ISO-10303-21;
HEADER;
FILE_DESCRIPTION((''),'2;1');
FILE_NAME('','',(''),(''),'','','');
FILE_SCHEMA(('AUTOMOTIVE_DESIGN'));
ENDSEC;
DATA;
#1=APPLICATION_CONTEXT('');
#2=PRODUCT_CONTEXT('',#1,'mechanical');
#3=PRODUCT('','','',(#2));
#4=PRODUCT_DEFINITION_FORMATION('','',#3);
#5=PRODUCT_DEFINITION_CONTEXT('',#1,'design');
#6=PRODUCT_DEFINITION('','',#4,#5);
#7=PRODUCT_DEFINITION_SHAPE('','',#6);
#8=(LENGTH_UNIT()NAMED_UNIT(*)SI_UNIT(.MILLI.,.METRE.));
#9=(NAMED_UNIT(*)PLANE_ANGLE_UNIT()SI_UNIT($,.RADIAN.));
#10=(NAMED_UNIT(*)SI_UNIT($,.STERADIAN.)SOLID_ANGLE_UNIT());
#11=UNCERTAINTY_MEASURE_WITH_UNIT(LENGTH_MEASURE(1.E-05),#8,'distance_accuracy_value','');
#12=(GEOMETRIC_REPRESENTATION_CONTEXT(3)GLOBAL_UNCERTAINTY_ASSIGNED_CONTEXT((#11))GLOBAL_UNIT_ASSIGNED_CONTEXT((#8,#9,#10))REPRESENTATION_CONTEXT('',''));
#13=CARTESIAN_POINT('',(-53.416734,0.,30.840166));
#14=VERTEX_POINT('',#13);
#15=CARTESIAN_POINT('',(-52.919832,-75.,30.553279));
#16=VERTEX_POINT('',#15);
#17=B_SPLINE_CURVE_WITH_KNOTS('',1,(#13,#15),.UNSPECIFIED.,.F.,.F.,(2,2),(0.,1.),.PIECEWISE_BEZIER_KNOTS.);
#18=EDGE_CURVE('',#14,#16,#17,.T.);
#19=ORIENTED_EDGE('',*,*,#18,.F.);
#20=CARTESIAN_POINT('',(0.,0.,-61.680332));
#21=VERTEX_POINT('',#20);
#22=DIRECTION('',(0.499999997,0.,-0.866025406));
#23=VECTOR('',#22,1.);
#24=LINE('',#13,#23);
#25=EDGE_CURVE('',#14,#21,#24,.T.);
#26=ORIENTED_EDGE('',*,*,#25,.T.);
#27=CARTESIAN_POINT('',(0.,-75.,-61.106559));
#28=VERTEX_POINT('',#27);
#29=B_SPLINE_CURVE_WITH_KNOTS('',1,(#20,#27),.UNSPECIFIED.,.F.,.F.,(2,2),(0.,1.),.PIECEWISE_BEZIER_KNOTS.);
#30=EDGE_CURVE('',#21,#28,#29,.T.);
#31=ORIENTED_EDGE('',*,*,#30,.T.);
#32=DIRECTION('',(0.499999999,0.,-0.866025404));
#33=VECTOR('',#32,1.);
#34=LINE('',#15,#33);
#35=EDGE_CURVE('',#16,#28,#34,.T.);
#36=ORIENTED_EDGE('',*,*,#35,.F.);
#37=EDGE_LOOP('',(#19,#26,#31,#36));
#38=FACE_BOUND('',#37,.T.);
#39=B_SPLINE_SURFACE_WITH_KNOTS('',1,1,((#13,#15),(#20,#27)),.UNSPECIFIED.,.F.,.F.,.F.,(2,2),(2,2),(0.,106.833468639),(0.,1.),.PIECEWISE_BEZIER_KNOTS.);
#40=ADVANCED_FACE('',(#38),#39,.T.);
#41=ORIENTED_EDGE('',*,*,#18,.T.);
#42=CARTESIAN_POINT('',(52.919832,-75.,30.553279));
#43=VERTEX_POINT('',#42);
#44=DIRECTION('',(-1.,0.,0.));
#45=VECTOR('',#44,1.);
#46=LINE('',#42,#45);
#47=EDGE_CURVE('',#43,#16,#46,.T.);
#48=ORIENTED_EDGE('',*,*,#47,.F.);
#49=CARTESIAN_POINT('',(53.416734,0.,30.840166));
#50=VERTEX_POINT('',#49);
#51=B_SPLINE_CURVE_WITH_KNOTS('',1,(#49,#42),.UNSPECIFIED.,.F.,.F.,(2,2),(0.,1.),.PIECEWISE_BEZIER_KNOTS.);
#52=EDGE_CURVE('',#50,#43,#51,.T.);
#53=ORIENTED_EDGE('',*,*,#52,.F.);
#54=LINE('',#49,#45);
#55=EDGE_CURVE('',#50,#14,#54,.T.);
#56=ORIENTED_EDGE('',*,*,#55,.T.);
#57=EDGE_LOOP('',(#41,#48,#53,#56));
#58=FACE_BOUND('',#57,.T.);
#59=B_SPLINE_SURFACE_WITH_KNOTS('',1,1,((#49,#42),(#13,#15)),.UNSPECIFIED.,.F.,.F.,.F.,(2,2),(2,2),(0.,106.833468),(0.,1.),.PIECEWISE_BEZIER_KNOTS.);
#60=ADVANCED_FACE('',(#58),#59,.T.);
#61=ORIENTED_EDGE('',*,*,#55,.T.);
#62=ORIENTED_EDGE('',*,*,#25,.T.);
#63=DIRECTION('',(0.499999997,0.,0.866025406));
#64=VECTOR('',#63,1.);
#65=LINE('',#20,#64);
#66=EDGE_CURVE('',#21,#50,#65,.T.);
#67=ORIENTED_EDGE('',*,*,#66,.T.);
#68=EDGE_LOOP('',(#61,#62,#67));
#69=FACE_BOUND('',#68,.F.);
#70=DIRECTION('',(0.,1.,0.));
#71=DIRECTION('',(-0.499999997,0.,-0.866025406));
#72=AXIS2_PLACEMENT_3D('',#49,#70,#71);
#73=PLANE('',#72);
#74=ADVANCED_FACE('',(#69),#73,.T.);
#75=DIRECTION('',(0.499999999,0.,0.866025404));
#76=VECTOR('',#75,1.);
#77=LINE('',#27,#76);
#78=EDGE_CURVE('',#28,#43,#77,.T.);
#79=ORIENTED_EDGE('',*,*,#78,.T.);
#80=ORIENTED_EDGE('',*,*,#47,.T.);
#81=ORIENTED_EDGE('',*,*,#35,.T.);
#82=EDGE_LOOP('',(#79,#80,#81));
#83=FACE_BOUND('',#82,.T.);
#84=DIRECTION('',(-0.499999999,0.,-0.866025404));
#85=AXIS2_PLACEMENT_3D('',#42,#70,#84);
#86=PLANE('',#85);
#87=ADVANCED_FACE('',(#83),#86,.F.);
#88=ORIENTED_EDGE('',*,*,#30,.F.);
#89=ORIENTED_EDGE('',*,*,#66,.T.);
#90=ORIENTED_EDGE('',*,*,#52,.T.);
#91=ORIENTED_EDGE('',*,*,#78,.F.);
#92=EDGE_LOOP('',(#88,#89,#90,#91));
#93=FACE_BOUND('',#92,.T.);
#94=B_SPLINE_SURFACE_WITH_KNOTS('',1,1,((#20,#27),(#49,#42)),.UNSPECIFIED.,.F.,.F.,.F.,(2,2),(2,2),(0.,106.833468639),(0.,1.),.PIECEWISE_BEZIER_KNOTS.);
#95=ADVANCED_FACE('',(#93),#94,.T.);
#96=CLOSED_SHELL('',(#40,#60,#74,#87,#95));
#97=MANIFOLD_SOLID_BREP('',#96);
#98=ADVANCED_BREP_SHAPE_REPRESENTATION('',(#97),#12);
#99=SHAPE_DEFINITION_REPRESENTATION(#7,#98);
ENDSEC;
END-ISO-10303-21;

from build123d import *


with BuildPart() as f3:
    # F0 (on Front) → F3 section 0
    with BuildSketch(Plane.XZ):
        Polygon((53.416734, 30.840166), (-53.416734, 30.840166), (0, -61.680332), align=None)
    # F2 (on offset) → F3 section 1
    with BuildSketch(Plane.XZ.offset(75)):
        Polygon((52.919832, 30.553279), (-52.919832, 30.553279), (0, -61.106559), align=None)
    loft()


solid = f3.part
